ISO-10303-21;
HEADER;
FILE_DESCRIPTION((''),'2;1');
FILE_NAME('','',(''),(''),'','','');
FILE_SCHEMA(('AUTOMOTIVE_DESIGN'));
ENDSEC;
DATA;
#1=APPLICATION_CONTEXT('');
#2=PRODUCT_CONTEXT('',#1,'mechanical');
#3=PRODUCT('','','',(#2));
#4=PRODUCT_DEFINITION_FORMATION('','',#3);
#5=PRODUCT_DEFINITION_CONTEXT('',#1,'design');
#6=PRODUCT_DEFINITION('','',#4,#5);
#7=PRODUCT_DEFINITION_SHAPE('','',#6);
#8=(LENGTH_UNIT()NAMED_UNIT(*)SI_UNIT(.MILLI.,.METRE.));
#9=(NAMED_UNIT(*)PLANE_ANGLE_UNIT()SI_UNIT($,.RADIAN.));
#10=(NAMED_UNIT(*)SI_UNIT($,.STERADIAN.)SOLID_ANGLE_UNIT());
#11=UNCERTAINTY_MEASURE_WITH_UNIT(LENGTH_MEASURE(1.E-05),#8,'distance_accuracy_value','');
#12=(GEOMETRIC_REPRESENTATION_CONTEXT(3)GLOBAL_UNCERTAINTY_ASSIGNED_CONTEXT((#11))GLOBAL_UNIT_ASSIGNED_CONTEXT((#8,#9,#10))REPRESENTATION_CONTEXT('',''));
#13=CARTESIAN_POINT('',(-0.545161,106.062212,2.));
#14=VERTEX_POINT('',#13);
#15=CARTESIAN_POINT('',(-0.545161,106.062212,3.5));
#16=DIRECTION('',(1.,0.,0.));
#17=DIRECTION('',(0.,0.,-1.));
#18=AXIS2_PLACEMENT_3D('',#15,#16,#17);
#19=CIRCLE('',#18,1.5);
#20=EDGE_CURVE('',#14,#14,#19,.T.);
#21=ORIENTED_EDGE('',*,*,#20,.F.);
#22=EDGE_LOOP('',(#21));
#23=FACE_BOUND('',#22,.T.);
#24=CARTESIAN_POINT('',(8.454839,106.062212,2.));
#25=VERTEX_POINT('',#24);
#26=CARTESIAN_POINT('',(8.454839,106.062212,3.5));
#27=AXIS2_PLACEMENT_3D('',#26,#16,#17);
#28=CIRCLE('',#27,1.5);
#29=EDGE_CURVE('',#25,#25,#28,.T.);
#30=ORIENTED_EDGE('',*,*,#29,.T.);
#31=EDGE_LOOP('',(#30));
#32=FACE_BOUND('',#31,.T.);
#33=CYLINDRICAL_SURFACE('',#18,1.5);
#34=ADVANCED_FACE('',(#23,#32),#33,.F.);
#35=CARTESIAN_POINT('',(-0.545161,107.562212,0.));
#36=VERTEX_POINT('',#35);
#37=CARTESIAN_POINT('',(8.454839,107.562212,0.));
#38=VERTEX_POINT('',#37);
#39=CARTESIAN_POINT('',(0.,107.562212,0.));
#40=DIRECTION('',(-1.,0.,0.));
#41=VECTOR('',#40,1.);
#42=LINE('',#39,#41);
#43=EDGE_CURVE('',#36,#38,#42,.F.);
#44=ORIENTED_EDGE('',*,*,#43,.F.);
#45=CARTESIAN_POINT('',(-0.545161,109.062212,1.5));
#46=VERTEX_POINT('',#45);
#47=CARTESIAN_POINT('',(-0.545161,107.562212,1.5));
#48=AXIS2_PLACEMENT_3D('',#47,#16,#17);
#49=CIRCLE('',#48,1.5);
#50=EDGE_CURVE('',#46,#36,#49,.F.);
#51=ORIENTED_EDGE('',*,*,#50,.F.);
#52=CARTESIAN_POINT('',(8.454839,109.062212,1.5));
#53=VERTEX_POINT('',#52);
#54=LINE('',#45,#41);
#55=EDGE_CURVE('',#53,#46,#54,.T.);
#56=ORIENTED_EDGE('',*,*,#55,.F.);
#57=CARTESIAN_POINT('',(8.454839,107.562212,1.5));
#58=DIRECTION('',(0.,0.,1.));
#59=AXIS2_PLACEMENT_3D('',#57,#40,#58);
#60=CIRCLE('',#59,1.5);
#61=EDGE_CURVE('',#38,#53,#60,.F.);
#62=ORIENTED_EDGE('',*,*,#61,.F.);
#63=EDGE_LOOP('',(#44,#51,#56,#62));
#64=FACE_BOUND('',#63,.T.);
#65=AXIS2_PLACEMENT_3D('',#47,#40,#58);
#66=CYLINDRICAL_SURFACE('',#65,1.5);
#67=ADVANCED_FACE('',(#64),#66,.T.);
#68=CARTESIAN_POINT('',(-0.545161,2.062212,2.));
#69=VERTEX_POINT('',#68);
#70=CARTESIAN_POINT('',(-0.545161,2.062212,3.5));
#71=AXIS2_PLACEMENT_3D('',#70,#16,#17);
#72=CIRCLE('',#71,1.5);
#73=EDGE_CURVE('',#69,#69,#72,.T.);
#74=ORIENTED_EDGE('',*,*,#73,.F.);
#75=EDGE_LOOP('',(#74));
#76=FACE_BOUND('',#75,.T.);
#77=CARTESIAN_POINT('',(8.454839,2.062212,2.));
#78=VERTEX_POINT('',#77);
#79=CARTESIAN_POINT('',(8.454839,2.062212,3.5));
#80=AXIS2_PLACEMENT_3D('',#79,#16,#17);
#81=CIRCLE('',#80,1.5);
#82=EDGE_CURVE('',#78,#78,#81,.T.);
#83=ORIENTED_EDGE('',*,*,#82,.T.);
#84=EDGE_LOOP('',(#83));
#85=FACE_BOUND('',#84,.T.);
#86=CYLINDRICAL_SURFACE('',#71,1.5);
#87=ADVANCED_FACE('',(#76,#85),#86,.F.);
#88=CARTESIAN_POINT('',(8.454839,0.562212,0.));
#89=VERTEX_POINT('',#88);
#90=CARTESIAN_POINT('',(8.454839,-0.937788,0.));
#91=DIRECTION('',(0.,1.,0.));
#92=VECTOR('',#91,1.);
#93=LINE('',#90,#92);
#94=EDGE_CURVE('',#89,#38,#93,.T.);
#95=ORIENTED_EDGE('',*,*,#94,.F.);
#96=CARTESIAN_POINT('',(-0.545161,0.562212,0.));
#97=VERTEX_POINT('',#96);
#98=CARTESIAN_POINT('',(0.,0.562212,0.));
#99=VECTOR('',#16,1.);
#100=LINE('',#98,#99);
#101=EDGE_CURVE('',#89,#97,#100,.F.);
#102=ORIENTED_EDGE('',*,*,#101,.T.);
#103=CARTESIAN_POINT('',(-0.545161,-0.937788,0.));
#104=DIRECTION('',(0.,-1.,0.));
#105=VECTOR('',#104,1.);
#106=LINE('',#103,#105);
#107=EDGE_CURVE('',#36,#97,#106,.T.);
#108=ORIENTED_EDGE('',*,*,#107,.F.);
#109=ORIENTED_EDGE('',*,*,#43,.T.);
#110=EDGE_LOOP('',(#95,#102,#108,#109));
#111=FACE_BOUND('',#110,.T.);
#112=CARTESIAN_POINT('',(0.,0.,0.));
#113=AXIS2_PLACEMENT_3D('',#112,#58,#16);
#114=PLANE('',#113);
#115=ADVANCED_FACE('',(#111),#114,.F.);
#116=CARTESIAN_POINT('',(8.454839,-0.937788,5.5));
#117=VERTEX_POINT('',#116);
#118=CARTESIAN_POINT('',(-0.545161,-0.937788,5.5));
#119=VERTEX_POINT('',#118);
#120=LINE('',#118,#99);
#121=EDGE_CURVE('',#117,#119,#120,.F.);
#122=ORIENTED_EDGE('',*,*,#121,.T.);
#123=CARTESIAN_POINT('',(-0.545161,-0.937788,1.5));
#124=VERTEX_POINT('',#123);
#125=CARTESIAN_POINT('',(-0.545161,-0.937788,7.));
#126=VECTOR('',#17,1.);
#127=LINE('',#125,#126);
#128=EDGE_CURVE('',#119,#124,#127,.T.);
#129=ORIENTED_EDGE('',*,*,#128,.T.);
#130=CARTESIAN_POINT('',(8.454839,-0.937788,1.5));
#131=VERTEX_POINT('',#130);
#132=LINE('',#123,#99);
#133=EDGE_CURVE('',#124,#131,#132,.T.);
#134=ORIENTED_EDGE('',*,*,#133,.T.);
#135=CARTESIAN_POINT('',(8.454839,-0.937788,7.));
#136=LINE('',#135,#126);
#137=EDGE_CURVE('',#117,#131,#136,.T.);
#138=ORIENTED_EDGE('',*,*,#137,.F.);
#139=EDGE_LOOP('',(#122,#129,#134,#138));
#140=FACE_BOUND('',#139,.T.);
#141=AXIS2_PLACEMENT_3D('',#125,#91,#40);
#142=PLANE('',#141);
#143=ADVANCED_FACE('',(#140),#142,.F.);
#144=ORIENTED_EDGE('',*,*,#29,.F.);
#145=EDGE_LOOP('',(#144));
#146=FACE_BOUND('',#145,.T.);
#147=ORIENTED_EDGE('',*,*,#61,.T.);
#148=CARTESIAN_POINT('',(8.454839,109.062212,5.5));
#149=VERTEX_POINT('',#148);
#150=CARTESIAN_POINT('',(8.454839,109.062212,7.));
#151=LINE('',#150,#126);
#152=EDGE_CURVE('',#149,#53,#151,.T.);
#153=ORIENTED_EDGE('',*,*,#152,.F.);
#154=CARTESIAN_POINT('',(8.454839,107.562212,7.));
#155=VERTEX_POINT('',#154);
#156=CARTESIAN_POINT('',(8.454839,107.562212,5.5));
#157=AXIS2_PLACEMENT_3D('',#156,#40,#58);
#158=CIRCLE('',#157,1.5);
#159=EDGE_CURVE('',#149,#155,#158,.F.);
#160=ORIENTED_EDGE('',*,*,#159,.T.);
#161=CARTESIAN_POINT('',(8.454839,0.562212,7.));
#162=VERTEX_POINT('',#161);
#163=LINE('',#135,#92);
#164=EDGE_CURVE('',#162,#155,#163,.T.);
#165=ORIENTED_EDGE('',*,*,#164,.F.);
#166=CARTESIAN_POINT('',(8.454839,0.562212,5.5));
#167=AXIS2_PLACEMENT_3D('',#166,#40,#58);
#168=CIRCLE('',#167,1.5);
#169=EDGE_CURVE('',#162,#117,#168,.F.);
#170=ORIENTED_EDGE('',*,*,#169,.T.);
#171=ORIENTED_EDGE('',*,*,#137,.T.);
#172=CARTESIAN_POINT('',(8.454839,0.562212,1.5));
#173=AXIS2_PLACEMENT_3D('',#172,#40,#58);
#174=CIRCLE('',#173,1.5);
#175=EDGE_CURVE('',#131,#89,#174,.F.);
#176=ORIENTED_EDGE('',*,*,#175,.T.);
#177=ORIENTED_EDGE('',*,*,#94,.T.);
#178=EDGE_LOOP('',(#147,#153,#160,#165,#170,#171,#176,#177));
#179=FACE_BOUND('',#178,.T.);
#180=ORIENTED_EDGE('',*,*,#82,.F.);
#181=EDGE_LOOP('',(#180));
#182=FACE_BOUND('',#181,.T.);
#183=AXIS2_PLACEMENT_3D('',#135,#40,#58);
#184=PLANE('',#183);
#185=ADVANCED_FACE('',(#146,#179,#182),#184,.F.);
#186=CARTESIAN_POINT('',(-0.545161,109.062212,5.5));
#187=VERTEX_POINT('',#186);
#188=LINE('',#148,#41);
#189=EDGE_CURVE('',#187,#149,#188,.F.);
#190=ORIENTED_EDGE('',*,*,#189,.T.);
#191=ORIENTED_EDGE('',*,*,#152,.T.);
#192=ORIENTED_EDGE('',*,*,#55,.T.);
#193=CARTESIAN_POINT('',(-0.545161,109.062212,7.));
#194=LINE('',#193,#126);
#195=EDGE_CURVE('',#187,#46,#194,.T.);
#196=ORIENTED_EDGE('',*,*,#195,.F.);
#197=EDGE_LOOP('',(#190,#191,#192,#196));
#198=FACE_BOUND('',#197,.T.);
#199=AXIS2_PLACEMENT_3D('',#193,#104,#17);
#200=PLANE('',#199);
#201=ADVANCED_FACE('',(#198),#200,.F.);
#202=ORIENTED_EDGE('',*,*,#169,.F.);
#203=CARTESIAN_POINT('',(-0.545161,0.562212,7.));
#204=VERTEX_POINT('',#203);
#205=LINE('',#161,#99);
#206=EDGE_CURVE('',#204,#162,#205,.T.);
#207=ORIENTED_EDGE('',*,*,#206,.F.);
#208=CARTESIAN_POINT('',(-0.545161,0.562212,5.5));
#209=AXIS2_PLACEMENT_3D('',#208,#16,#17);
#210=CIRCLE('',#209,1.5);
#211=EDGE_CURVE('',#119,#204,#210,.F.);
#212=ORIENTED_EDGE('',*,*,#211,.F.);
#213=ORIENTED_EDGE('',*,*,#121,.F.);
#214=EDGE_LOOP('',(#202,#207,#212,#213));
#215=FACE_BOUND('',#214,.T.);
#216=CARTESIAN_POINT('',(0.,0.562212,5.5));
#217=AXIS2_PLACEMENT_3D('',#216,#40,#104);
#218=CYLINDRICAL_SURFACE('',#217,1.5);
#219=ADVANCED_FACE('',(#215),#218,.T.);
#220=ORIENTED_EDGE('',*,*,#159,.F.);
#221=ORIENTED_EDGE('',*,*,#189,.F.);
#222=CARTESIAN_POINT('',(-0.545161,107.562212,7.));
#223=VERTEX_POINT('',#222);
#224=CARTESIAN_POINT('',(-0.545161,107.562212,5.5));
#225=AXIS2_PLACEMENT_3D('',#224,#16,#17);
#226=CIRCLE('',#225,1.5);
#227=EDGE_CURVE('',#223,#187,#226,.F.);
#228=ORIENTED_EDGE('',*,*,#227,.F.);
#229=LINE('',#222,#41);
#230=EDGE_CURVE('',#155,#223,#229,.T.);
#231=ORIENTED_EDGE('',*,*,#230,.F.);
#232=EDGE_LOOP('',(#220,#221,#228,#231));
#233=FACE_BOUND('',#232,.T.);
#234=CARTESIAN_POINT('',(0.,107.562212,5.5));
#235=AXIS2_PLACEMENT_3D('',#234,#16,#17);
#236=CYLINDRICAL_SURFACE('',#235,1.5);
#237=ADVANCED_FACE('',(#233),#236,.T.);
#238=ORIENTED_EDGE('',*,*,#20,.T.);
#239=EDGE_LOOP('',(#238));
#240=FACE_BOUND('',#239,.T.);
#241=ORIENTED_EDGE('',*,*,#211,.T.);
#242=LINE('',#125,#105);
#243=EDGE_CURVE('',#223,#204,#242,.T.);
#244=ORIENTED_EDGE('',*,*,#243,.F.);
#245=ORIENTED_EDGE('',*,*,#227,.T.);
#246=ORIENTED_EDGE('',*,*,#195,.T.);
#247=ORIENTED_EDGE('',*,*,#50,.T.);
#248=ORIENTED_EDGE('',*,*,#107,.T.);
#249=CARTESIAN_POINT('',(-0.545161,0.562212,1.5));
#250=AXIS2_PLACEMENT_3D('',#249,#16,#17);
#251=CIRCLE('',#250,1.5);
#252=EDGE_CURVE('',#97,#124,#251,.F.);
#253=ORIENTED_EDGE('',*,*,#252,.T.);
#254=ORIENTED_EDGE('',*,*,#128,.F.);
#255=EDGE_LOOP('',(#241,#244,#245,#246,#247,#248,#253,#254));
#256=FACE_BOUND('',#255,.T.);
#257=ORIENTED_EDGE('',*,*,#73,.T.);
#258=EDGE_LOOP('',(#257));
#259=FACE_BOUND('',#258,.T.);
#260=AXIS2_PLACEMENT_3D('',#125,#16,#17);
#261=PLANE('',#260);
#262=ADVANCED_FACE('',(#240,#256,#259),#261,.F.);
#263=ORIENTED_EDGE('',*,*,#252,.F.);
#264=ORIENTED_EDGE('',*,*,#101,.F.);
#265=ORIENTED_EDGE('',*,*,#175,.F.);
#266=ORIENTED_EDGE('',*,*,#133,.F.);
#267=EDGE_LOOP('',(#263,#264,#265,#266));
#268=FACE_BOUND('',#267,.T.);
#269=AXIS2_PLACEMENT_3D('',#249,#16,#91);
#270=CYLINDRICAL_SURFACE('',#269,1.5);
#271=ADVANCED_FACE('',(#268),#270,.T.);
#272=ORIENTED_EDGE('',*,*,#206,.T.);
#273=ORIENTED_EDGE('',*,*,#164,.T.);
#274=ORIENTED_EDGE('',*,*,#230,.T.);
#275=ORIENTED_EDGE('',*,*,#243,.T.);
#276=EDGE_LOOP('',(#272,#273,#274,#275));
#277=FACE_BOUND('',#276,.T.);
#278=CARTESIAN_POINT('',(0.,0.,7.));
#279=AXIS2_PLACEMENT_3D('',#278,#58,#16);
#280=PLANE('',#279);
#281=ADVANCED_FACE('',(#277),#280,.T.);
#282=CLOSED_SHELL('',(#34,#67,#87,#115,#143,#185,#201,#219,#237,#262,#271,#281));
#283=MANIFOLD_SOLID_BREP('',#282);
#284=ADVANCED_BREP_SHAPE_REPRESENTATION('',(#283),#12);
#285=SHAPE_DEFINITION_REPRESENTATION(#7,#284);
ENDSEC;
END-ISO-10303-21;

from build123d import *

# Parameters (mm, degrees)
SKETCH1_W           = 9
SKETCH1_H           = 110
BOSS_EXTRUDE2_DEPTH = 7
SKETCH4_R           = 1.5
CUT_EXTRUDE2_DEPTH  = 10
SKETCH6_R           = 1.5
CUT_EXTRUDE4_DEPTH  = 10
FILLET1_R           = 1.5
FILLET2_R           = 1.5


with BuildPart() as part:
    # Sketch1 → Boss-Extrude2 (new body)
    with BuildSketch(Plane.XY):
        with Locations((3.95483871, 54.062211982)):
            Rectangle(SKETCH1_W, SKETCH1_H)
    extrude(amount=BOSS_EXTRUDE2_DEPTH)

    # Sketch4 → Cut-Extrude2 (cut, through all)
    with BuildSketch(Plane(origin=(8.45483871, 0, 0), x_dir=(0, 0, -1), z_dir=(1, 0, 0))):
        with Locations((-3.5, 2.062211982)):
            Circle(SKETCH4_R)
    extrude(amount=-CUT_EXTRUDE2_DEPTH, mode=Mode.SUBTRACT)

    # Sketch6 → Cut-Extrude4 (cut, through all)
    with BuildSketch(Plane(origin=(8.45483871, 0, 0), x_dir=(0, 0, -1), z_dir=(1, 0, 0))):
        with Locations((-3.5, 106.062211982)):
            Circle(SKETCH6_R)
    extrude(amount=-CUT_EXTRUDE4_DEPTH, mode=Mode.SUBTRACT)

    # Fillet1
    fillet1_edges = [part.edges().sort_by_distance(p)[0] for p in [
        (3.95483871, 109.062211982, 7),
        (3.95483871, 109.062211982, 0),
    ]]
    fillet(fillet1_edges, radius=FILLET1_R)

    # Fillet2
    fillet2_edges = [part.edges().sort_by_distance(p)[0] for p in [
        (3.95483871, -0.937788018, 7),
        (3.95483871, -0.937788018, 0),
    ]]
    fillet(fillet2_edges, radius=FILLET2_R)


solid = part.part
